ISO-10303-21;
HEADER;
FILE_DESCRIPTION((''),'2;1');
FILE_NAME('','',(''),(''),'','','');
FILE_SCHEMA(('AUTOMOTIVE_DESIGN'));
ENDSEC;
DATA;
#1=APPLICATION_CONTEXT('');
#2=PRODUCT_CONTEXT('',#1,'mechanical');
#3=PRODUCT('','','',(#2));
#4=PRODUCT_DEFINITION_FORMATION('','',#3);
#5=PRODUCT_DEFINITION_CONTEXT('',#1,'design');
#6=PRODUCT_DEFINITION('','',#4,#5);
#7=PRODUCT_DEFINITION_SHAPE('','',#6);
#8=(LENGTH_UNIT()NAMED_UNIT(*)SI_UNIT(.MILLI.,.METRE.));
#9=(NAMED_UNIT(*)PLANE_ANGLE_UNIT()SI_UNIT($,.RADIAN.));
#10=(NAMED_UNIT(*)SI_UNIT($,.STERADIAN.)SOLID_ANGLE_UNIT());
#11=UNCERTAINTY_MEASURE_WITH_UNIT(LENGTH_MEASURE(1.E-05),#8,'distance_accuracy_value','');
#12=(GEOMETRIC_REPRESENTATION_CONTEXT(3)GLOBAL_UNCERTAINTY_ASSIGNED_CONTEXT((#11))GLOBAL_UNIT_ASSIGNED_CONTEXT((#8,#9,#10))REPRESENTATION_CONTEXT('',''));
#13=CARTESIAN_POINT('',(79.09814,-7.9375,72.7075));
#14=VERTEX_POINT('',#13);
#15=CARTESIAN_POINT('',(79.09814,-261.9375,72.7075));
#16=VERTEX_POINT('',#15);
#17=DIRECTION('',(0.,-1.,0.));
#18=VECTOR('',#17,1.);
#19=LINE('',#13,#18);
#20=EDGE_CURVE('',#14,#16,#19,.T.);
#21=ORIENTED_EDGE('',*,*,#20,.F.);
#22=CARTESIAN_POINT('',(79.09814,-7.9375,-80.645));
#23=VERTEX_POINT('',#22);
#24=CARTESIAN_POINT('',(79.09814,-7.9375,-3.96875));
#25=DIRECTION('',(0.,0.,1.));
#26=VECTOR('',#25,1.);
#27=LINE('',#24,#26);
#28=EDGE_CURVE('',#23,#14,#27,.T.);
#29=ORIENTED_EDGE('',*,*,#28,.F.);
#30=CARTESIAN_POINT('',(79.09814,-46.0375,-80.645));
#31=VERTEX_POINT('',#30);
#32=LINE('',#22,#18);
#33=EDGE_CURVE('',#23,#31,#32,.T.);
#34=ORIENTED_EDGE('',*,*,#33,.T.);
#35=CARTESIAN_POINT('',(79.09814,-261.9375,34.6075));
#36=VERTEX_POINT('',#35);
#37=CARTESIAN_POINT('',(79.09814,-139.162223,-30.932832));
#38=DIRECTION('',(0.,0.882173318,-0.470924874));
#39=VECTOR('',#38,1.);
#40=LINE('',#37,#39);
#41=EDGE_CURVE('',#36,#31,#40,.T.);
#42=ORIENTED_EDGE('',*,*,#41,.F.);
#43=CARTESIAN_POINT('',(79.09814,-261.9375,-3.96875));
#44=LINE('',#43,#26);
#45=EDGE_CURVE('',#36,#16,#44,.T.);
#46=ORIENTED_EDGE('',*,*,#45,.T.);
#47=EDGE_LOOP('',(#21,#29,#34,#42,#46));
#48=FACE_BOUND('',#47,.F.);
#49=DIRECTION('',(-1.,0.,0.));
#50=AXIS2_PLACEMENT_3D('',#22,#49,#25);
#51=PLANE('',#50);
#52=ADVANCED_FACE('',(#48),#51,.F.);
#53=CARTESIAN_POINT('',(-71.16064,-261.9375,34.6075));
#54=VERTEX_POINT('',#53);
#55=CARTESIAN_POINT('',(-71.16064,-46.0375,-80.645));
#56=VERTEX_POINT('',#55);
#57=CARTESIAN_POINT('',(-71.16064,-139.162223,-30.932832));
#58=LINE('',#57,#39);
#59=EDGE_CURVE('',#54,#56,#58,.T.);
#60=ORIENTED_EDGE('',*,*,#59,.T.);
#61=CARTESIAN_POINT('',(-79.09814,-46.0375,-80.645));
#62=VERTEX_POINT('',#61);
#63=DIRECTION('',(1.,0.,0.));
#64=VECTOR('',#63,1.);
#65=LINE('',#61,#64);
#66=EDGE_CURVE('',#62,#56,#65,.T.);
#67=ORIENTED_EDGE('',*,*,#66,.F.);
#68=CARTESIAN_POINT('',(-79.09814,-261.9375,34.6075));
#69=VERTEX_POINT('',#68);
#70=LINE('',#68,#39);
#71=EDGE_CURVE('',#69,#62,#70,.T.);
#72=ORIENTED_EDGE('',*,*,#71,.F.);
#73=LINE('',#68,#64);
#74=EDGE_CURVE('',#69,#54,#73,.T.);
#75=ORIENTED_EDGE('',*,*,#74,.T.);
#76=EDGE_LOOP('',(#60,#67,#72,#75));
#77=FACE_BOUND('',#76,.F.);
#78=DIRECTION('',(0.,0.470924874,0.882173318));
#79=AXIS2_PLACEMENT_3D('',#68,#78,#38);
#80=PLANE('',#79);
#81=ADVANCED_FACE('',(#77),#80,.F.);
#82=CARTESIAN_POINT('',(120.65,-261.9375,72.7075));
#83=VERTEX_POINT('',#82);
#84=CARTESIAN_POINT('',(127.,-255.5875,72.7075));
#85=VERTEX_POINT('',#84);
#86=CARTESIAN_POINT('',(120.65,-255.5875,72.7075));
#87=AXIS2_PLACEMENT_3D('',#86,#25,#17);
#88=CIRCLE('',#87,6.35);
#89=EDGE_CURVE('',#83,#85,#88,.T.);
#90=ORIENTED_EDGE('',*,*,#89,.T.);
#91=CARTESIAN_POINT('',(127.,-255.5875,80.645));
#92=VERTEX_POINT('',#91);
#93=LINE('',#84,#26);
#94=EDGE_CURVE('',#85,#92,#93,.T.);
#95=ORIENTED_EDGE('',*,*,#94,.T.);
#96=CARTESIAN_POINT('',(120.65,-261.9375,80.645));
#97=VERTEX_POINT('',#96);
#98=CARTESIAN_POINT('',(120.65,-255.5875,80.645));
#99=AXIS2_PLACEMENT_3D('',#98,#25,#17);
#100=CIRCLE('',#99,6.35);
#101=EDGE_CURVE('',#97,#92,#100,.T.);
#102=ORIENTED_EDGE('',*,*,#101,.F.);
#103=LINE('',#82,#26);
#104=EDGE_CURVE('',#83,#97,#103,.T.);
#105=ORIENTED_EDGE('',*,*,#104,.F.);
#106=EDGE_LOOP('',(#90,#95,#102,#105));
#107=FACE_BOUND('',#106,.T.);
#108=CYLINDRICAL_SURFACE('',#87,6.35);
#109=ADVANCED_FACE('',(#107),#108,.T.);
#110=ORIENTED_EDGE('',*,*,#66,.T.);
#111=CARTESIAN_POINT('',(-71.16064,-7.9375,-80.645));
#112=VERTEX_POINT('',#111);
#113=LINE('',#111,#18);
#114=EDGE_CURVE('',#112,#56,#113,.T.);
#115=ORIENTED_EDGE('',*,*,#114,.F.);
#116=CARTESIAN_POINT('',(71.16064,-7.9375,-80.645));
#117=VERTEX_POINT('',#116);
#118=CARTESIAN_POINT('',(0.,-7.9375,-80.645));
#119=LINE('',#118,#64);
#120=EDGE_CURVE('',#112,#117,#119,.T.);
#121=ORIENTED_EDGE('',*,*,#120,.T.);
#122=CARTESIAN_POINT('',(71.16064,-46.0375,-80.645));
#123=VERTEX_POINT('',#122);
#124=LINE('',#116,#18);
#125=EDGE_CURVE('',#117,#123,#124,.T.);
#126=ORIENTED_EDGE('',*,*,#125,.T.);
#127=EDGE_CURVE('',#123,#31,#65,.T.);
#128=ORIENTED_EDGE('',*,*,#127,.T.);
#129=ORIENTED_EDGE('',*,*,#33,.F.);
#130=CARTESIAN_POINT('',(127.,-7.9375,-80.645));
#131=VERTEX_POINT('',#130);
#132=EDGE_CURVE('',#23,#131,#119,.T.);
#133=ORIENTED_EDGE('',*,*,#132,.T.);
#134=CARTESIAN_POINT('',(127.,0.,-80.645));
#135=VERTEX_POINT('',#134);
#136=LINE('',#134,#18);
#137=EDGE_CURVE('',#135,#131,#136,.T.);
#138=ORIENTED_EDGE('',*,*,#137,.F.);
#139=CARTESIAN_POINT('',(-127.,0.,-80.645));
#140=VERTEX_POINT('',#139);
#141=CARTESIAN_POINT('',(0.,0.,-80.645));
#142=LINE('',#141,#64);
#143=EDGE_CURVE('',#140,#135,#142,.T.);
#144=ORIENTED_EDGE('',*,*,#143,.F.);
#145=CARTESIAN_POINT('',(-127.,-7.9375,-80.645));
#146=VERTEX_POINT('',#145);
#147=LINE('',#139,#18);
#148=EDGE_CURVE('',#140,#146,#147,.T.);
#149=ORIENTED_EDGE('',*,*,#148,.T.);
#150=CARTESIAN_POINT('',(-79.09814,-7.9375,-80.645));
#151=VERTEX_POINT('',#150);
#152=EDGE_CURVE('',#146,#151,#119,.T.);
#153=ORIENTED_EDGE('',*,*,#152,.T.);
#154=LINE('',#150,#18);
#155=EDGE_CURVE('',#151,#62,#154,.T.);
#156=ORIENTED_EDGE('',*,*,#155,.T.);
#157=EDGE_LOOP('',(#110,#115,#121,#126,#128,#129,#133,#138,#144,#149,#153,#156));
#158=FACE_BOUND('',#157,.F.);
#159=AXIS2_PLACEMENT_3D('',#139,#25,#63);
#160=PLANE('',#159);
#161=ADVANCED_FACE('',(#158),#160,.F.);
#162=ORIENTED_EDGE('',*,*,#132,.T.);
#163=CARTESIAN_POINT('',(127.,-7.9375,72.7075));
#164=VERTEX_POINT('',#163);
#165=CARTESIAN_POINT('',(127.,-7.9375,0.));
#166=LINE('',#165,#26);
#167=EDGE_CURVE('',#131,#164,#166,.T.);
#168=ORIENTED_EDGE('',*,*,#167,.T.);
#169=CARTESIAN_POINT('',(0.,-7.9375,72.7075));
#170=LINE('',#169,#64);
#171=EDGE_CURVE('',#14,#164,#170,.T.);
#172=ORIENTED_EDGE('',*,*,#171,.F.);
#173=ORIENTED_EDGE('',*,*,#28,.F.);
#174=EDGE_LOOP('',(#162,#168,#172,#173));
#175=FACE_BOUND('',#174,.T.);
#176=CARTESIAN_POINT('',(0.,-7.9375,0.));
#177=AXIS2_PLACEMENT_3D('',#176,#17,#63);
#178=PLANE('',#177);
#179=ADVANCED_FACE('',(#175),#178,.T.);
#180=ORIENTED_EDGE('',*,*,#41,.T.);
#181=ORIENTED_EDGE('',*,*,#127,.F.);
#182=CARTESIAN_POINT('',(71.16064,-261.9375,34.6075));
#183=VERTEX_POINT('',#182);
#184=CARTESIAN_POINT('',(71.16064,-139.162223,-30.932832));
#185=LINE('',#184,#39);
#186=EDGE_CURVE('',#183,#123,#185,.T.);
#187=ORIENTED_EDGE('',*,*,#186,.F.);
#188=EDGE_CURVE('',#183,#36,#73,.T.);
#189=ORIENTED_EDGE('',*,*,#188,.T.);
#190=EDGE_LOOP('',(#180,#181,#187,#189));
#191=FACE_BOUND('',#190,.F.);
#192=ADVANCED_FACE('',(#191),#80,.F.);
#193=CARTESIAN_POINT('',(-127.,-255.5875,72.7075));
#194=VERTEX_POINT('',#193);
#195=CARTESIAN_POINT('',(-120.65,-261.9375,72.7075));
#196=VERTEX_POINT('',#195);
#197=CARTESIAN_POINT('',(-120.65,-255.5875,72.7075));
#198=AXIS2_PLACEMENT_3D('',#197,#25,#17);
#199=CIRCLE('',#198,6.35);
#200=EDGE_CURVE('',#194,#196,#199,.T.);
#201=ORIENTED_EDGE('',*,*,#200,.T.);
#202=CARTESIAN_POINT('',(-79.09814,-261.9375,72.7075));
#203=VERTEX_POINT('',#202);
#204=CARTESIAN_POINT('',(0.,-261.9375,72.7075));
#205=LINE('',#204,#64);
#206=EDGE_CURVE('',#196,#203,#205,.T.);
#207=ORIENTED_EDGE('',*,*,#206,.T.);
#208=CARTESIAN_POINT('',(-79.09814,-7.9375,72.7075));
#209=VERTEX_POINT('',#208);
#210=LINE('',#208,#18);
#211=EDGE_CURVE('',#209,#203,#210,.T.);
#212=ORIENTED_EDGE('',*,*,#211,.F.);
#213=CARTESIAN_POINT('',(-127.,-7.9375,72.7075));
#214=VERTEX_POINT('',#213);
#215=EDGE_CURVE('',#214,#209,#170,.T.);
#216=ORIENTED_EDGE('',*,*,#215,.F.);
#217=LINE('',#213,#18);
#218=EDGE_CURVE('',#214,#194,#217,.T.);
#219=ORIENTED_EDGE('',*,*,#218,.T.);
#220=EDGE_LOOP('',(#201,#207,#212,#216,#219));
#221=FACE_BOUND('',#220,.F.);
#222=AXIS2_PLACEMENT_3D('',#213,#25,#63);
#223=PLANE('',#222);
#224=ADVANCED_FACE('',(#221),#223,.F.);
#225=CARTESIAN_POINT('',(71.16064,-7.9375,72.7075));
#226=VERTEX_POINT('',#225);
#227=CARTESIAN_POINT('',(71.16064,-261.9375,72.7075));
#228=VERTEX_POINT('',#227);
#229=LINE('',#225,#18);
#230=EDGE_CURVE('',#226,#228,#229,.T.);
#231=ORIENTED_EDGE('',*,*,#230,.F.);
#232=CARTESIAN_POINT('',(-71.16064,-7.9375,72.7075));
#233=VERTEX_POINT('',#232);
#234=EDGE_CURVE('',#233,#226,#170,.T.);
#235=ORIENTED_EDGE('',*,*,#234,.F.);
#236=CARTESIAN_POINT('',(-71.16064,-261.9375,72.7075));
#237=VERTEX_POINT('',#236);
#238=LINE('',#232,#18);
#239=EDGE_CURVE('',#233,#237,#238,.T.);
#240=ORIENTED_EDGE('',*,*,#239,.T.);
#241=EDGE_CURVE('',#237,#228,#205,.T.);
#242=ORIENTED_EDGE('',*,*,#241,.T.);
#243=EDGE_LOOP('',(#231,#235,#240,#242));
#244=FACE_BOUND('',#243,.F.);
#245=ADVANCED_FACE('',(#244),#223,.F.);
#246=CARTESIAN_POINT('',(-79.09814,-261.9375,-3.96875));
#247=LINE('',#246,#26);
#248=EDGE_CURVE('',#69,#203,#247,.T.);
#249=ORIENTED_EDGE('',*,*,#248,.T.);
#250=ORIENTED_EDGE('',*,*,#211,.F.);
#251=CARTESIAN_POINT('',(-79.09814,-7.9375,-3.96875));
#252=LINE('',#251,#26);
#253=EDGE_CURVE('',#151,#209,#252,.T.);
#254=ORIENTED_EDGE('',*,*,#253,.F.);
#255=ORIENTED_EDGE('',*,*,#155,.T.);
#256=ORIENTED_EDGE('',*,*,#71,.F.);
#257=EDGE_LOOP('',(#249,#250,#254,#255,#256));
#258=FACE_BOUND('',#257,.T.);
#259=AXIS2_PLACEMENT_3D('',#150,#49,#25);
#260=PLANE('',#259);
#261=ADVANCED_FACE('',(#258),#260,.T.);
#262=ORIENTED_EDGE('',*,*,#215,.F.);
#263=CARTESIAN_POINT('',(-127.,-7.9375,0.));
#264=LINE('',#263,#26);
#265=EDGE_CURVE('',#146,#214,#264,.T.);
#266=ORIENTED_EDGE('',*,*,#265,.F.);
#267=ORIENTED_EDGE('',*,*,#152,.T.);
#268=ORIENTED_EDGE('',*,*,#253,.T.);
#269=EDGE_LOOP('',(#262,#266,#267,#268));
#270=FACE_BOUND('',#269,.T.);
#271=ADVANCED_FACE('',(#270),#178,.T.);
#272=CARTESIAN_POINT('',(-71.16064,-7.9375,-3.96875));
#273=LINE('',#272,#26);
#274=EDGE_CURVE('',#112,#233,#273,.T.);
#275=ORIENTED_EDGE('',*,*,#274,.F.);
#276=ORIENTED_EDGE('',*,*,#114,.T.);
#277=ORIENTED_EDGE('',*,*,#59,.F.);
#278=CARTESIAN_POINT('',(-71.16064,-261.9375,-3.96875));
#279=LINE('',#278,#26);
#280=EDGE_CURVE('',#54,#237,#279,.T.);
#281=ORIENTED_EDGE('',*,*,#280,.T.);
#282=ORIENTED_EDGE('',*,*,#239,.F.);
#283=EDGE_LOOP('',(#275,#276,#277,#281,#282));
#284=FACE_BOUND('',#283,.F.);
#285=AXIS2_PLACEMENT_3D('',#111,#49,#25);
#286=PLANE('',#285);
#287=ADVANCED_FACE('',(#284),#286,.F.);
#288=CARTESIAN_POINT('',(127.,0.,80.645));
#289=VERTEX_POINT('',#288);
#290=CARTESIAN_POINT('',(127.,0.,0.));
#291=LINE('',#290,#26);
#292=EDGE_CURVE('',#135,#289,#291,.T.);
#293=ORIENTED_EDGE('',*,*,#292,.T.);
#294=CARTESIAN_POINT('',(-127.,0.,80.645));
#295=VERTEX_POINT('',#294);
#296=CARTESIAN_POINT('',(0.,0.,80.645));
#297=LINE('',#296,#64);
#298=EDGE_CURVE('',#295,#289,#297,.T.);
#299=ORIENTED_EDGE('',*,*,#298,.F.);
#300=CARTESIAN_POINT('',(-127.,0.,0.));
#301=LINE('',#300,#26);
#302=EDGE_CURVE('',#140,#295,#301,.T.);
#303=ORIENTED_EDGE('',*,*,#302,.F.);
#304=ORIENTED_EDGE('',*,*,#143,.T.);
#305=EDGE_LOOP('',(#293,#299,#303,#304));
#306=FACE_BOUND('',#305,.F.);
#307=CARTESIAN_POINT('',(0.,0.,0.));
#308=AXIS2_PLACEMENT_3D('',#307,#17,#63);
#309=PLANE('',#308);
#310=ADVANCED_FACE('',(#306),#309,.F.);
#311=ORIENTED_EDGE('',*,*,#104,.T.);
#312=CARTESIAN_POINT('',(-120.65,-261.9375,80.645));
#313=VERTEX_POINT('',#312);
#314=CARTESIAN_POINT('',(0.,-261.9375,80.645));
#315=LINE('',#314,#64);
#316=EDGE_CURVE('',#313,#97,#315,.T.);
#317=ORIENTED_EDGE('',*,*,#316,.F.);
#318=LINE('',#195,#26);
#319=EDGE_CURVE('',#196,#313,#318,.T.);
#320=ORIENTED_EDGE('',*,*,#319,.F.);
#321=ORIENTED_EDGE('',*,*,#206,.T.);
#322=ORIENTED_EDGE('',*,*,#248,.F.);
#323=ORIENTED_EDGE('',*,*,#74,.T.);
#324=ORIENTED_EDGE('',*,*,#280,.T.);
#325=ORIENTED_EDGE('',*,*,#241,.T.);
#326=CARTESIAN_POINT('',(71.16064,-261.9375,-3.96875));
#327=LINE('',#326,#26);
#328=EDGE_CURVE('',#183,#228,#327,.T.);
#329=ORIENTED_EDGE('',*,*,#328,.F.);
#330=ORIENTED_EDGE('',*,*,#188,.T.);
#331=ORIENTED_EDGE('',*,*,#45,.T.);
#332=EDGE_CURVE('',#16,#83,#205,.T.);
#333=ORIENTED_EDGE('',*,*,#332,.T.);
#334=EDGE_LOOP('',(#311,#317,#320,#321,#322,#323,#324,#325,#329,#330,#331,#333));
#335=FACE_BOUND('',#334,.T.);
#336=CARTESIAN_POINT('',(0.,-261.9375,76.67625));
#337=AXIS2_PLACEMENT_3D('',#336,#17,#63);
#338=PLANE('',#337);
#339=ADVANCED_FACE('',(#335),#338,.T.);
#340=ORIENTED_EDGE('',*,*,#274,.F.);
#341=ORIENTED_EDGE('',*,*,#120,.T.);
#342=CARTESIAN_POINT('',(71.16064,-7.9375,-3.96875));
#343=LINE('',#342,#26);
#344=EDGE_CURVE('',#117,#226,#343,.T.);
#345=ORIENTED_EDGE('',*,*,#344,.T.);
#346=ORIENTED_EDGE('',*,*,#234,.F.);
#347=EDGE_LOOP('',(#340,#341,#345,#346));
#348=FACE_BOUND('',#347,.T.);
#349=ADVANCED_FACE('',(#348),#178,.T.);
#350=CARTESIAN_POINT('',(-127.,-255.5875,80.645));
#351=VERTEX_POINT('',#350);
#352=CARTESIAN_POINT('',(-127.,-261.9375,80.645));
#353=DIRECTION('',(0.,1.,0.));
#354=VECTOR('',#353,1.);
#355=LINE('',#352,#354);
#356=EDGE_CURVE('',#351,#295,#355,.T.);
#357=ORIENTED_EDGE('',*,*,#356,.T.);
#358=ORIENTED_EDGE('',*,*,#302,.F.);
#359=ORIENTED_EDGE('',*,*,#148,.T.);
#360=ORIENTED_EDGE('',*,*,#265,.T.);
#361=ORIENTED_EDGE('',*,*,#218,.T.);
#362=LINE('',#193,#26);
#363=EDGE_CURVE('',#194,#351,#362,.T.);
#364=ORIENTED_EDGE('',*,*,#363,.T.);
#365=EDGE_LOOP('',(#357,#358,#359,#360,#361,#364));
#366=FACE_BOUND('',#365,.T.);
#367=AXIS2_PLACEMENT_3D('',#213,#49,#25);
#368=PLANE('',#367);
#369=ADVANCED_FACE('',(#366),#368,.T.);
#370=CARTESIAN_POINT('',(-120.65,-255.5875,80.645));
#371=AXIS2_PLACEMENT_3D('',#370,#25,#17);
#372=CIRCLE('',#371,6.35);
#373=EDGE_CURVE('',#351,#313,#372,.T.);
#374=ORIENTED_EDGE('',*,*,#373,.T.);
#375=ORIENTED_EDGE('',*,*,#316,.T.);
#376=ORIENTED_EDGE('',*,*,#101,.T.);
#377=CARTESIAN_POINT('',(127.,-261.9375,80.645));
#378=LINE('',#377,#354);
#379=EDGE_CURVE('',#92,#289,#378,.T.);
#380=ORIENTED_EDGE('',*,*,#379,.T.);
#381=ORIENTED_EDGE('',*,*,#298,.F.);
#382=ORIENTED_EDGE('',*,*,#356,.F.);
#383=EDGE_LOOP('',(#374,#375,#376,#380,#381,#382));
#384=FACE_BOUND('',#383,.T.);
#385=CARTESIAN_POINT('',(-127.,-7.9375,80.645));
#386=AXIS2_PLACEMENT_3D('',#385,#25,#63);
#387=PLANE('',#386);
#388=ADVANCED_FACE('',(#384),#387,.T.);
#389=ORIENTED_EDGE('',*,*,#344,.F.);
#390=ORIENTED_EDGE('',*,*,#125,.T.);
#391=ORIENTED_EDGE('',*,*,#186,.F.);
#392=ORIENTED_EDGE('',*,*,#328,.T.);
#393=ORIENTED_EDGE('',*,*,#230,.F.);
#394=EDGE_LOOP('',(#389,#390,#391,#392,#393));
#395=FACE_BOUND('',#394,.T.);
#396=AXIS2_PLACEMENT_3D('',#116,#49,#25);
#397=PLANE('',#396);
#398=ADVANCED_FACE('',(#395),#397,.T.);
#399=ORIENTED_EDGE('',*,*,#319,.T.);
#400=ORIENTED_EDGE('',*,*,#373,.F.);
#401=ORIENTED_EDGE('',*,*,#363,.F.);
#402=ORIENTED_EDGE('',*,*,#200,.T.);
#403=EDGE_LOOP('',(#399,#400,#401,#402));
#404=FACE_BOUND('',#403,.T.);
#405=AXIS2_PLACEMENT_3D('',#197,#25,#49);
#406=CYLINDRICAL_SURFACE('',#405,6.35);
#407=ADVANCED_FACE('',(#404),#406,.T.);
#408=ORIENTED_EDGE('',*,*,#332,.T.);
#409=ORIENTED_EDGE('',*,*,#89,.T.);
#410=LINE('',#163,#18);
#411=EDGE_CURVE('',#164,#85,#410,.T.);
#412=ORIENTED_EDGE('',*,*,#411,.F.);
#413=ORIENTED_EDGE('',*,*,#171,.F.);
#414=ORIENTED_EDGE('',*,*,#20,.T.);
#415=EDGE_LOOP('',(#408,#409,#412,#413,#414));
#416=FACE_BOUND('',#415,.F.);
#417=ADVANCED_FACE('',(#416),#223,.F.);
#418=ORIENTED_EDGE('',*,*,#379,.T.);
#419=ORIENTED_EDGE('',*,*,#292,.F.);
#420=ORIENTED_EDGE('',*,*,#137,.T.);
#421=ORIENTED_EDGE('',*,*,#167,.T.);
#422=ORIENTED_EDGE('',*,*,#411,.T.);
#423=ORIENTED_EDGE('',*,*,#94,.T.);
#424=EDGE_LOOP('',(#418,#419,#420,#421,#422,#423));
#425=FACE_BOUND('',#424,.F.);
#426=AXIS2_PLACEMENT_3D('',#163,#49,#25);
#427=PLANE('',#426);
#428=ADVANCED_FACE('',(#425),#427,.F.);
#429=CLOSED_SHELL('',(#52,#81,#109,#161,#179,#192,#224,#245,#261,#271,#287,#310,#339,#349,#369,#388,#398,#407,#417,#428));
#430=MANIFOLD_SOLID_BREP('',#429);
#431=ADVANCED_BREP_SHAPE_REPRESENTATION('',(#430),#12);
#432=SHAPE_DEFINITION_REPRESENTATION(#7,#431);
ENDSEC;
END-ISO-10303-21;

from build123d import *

# Parameters (mm, degrees)
F0_W     = 254
F0_H     = 161.29
F1_DEPTH = 7.9375
F2_W     = 254
F2_H     = 7.9375
F3_DEPTH = 254
F6_W     = 7.9375
F6_H     = 153.3525
F7_DEPTH = 254
F9_DEPTH = 206.09914
F10_R    = 6.35


with BuildPart() as f1:
    # F0 (on Front) → F1 (new body)
    with BuildSketch(Plane.XZ):
        Rectangle(F0_W, F0_H)
    extrude(amount=F1_DEPTH)

    # F2 (on face) → F3 (join)
    with BuildSketch(Plane.XZ.offset(7.9375)):
        with Locations((0, 76.67625)):
            Rectangle(F2_W, F2_H)
    extrude(amount=F3_DEPTH)

    # F6 (on face) → F7 (join, through all)
    with BuildSketch(Plane.XZ.offset(7.9375)):
        with Locations((-75.12939, -3.96875)):
            Rectangle(F6_W, F6_H)
        with Locations((75.12939, -3.96875)):
            Rectangle(F6_W, F6_H)
    extrude(amount=F7_DEPTH)

    # F8 (on face) → F9 (cut, through all)
    with BuildSketch(Plane(origin=(-79.09814, 0, 0), x_dir=(0, -1, 0), z_dir=(-1, 0, 0))):
        Polygon((261.9375, -80.645), (261.9375, 34.6075), (46.0375, -80.645), align=None)
    extrude(amount=-F9_DEPTH, mode=Mode.SUBTRACT)

    # F10
    f10_edges = [f1.edges().sort_by_distance(p)[0] for p in [
        (-127, -261.9375, 76.67625),
        (127, -261.9375, 76.67625),
    ]]
    fillet(f10_edges, radius=F10_R)


solid = f1.part
